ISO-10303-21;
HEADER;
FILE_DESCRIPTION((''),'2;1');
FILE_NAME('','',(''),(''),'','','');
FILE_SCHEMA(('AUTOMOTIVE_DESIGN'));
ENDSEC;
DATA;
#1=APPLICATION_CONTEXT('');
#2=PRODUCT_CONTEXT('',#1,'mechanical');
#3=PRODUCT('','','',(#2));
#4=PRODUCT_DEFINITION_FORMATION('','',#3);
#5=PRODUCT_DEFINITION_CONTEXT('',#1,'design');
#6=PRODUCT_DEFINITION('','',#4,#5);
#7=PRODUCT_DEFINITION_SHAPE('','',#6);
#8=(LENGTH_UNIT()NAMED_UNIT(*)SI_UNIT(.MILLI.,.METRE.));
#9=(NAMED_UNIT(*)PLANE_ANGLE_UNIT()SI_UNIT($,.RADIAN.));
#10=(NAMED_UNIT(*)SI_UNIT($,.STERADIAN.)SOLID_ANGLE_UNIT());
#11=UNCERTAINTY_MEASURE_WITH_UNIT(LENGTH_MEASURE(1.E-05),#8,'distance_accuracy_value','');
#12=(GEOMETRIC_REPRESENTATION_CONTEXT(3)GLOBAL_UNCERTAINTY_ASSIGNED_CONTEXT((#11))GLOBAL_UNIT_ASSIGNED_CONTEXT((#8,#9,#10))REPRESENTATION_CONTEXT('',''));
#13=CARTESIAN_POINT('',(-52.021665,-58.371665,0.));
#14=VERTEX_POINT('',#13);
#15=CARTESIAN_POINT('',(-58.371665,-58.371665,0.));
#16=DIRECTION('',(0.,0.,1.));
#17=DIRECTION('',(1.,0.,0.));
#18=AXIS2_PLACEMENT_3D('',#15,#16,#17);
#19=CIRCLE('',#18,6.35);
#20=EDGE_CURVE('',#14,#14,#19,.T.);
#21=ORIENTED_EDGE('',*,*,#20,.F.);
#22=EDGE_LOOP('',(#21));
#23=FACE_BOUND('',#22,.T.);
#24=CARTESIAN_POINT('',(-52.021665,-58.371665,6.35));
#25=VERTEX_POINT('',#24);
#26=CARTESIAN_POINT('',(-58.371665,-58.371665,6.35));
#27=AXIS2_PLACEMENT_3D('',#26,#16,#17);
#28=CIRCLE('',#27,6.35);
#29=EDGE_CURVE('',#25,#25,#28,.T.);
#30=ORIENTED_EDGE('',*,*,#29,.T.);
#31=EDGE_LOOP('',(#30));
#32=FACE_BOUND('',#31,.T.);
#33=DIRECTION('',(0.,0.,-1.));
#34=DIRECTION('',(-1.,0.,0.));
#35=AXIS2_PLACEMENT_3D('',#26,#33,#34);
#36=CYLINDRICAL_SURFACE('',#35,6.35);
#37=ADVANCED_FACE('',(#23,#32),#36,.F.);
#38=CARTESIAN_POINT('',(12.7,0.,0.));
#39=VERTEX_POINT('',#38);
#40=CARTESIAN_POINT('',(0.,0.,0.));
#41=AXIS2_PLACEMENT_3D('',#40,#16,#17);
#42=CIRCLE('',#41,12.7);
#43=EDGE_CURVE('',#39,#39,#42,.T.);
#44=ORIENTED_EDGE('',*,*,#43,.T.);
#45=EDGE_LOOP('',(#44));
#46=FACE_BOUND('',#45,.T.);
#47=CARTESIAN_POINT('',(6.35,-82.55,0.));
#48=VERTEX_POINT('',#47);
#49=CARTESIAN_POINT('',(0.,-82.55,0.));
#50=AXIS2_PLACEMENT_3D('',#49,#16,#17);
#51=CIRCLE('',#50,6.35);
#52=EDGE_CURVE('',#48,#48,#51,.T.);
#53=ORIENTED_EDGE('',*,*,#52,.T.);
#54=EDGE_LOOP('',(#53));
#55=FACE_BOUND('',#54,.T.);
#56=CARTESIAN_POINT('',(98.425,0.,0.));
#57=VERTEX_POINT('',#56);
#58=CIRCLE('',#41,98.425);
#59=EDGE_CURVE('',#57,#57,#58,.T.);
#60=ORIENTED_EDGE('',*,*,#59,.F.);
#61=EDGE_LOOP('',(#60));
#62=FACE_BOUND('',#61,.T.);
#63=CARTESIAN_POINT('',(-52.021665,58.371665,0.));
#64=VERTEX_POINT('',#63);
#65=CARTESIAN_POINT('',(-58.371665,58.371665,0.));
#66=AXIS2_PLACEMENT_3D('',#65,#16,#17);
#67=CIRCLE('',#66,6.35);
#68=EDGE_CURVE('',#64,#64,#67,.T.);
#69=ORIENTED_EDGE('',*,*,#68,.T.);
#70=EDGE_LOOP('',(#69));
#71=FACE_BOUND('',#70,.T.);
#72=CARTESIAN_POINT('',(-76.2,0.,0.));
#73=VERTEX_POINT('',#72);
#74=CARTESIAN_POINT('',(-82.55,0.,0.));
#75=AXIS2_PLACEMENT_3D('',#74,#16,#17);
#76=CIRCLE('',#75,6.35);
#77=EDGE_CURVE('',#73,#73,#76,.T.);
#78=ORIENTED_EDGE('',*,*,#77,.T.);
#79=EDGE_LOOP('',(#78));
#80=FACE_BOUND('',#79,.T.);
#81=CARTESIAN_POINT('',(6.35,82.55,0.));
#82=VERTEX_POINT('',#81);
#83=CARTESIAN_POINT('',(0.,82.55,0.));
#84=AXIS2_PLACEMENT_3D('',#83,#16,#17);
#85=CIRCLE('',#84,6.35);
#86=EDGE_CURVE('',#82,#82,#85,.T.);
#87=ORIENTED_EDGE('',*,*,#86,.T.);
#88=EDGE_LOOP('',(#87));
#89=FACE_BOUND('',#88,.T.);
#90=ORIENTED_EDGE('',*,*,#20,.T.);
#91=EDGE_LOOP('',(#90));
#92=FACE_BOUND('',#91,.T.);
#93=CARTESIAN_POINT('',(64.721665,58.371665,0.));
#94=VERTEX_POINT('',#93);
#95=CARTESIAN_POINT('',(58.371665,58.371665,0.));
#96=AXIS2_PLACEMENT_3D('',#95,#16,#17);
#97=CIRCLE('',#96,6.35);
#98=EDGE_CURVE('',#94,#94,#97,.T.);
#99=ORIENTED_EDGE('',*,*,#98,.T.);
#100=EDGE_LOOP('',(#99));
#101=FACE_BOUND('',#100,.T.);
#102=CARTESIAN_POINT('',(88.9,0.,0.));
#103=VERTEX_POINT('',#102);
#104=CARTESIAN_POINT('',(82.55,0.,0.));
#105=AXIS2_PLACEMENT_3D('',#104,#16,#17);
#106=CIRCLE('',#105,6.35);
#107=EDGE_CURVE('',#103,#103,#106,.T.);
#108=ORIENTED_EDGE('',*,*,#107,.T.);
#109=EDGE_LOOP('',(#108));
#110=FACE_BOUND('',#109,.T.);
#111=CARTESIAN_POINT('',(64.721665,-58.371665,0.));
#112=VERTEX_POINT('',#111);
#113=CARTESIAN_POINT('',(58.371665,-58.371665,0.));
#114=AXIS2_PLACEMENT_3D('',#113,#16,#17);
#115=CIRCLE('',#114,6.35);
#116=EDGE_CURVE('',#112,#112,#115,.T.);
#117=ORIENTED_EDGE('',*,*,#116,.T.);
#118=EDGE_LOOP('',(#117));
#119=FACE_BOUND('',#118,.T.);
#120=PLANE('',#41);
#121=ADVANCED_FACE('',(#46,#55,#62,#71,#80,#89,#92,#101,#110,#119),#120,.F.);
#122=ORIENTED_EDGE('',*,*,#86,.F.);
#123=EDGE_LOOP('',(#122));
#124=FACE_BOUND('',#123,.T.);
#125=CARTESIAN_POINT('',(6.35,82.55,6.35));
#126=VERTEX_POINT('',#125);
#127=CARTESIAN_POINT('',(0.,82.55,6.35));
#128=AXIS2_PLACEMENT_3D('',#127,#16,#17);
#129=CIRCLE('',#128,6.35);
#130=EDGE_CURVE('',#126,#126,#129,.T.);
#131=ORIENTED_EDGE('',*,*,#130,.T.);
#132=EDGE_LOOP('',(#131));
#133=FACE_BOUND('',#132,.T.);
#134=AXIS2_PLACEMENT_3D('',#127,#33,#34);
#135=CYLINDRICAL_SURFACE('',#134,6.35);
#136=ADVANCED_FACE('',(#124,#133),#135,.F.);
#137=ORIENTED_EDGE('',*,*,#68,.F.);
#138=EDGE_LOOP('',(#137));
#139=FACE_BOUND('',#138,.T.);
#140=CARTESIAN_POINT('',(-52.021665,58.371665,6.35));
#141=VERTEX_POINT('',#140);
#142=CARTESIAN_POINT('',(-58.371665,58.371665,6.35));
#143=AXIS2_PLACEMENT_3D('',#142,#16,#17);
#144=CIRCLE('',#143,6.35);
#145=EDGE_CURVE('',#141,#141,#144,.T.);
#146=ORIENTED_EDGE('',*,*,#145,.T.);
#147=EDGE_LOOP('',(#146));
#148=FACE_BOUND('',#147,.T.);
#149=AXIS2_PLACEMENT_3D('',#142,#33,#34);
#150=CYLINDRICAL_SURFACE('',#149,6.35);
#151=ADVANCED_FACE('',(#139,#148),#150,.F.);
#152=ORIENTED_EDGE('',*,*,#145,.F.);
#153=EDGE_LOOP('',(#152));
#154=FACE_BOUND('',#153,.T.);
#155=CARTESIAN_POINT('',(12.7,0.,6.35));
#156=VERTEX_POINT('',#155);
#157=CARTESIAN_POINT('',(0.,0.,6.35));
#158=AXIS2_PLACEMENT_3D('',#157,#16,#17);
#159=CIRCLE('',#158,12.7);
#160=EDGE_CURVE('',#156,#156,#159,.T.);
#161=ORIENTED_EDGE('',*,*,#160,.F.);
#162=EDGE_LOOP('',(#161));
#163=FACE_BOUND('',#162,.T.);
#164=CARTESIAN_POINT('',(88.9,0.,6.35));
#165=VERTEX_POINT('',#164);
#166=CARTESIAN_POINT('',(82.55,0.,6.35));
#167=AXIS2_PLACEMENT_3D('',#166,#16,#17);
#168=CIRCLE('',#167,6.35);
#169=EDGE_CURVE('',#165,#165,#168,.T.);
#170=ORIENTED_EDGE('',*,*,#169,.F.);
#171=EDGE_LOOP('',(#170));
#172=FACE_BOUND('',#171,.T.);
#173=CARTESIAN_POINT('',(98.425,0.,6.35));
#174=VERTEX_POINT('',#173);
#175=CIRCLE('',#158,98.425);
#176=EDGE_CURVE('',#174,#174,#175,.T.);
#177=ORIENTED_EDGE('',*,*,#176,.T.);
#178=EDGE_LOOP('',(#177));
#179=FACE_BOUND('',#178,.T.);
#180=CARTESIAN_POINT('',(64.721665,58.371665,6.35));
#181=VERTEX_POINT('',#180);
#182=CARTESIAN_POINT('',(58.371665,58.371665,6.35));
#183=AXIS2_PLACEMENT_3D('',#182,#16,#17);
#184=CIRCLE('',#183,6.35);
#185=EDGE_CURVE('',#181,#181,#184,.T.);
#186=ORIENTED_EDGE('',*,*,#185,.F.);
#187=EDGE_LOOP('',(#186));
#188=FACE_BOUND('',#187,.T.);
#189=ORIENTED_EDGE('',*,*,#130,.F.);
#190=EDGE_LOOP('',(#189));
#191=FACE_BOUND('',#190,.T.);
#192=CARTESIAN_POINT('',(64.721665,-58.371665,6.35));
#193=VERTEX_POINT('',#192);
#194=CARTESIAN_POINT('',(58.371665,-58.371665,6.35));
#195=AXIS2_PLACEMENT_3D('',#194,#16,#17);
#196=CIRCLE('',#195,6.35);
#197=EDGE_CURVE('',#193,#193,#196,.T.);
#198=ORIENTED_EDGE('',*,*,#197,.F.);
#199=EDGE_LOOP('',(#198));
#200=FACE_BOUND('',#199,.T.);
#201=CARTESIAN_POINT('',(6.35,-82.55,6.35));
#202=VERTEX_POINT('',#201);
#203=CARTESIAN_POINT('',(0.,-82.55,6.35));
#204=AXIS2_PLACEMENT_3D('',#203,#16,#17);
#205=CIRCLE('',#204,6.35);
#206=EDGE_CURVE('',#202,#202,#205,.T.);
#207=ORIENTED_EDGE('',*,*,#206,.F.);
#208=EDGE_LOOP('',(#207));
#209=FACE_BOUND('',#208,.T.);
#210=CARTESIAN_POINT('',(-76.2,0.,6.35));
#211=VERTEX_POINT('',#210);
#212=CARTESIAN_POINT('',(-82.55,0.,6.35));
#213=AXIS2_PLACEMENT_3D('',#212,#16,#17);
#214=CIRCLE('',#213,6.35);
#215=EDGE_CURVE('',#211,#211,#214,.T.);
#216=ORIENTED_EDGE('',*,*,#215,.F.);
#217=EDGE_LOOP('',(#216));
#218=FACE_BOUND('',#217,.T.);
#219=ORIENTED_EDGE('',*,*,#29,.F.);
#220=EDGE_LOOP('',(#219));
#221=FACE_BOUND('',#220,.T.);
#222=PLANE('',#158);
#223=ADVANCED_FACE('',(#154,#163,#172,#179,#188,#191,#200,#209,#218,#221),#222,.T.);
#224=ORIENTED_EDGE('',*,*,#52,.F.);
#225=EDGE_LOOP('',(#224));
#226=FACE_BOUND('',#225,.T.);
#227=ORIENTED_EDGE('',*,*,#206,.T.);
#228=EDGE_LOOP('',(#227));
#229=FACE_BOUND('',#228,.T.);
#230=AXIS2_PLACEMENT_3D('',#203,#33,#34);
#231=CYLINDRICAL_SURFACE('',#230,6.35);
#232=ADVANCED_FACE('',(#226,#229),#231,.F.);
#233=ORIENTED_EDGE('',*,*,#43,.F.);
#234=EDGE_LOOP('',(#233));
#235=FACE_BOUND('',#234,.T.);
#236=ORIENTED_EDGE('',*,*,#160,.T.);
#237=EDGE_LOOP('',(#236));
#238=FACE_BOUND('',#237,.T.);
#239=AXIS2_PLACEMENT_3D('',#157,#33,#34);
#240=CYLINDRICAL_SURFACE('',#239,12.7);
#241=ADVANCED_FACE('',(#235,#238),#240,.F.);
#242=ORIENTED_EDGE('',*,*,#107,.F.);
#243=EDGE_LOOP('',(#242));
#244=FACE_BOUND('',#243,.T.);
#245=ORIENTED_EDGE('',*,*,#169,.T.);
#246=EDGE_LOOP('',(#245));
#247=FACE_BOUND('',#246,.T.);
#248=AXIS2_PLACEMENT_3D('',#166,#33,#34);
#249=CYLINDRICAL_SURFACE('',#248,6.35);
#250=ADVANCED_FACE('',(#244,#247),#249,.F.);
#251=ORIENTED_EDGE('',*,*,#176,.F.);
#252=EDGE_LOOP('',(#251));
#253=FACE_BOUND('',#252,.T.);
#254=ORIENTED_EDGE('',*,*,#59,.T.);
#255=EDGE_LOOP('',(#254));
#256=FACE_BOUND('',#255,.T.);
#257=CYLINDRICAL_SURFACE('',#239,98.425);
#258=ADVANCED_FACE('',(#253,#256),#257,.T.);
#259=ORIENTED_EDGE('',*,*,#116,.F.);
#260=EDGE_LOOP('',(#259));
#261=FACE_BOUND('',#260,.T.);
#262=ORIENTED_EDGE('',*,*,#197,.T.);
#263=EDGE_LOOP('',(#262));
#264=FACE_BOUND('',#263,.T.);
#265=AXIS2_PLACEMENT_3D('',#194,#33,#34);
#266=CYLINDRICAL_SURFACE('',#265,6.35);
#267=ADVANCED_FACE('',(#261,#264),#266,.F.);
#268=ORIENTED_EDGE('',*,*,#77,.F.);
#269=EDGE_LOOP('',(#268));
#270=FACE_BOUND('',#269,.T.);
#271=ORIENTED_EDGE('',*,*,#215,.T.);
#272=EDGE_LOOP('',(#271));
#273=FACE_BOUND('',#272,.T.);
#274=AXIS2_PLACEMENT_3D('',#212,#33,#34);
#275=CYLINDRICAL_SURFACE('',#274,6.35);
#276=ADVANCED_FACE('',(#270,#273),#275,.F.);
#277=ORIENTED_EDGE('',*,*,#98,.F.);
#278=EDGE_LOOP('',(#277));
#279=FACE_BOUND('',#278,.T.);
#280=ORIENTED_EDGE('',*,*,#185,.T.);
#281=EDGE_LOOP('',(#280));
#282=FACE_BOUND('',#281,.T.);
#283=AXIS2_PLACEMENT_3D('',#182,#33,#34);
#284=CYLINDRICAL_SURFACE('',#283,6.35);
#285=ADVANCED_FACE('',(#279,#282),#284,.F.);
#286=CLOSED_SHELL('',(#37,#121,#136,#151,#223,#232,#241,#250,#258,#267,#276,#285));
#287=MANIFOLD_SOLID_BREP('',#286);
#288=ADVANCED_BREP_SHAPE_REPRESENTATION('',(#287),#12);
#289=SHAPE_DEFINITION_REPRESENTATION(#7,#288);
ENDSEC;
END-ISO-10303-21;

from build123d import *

# Parameters (mm, degrees)
SKETCH1_R        = 98.425
SKETCH1_R_2      = 12.7
SKETCH1_R_3      = 6.35
ROTOR_DISC_DEPTH = 6.35


with BuildPart() as part:
    # Sketch1 → Rotor Disc (new body)
    with BuildSketch(Plane.XY):
        Circle(SKETCH1_R)
        Circle(SKETCH1_R_2, mode=Mode.SUBTRACT)
        with Locations((0, 82.55)):
            Circle(SKETCH1_R_3, mode=Mode.SUBTRACT)
        with Locations((58.371664787, 58.371664787)):
            Circle(SKETCH1_R_3, mode=Mode.SUBTRACT)
        with Locations((82.55, 0)):
            Circle(SKETCH1_R_3, mode=Mode.SUBTRACT)
        with Locations((58.371664787, -58.371664787)):
            Circle(SKETCH1_R_3, mode=Mode.SUBTRACT)
        with Locations((0, -82.55)):
            Circle(SKETCH1_R_3, mode=Mode.SUBTRACT)
        with Locations((-58.371664787, -58.371664787)):
            Circle(SKETCH1_R_3, mode=Mode.SUBTRACT)
        with Locations((-82.55, 0)):
            Circle(SKETCH1_R_3, mode=Mode.SUBTRACT)
        with Locations((-58.371664787, 58.371664787)):
            Circle(SKETCH1_R_3, mode=Mode.SUBTRACT)
    extrude(amount=ROTOR_DISC_DEPTH)


solid = part.part
